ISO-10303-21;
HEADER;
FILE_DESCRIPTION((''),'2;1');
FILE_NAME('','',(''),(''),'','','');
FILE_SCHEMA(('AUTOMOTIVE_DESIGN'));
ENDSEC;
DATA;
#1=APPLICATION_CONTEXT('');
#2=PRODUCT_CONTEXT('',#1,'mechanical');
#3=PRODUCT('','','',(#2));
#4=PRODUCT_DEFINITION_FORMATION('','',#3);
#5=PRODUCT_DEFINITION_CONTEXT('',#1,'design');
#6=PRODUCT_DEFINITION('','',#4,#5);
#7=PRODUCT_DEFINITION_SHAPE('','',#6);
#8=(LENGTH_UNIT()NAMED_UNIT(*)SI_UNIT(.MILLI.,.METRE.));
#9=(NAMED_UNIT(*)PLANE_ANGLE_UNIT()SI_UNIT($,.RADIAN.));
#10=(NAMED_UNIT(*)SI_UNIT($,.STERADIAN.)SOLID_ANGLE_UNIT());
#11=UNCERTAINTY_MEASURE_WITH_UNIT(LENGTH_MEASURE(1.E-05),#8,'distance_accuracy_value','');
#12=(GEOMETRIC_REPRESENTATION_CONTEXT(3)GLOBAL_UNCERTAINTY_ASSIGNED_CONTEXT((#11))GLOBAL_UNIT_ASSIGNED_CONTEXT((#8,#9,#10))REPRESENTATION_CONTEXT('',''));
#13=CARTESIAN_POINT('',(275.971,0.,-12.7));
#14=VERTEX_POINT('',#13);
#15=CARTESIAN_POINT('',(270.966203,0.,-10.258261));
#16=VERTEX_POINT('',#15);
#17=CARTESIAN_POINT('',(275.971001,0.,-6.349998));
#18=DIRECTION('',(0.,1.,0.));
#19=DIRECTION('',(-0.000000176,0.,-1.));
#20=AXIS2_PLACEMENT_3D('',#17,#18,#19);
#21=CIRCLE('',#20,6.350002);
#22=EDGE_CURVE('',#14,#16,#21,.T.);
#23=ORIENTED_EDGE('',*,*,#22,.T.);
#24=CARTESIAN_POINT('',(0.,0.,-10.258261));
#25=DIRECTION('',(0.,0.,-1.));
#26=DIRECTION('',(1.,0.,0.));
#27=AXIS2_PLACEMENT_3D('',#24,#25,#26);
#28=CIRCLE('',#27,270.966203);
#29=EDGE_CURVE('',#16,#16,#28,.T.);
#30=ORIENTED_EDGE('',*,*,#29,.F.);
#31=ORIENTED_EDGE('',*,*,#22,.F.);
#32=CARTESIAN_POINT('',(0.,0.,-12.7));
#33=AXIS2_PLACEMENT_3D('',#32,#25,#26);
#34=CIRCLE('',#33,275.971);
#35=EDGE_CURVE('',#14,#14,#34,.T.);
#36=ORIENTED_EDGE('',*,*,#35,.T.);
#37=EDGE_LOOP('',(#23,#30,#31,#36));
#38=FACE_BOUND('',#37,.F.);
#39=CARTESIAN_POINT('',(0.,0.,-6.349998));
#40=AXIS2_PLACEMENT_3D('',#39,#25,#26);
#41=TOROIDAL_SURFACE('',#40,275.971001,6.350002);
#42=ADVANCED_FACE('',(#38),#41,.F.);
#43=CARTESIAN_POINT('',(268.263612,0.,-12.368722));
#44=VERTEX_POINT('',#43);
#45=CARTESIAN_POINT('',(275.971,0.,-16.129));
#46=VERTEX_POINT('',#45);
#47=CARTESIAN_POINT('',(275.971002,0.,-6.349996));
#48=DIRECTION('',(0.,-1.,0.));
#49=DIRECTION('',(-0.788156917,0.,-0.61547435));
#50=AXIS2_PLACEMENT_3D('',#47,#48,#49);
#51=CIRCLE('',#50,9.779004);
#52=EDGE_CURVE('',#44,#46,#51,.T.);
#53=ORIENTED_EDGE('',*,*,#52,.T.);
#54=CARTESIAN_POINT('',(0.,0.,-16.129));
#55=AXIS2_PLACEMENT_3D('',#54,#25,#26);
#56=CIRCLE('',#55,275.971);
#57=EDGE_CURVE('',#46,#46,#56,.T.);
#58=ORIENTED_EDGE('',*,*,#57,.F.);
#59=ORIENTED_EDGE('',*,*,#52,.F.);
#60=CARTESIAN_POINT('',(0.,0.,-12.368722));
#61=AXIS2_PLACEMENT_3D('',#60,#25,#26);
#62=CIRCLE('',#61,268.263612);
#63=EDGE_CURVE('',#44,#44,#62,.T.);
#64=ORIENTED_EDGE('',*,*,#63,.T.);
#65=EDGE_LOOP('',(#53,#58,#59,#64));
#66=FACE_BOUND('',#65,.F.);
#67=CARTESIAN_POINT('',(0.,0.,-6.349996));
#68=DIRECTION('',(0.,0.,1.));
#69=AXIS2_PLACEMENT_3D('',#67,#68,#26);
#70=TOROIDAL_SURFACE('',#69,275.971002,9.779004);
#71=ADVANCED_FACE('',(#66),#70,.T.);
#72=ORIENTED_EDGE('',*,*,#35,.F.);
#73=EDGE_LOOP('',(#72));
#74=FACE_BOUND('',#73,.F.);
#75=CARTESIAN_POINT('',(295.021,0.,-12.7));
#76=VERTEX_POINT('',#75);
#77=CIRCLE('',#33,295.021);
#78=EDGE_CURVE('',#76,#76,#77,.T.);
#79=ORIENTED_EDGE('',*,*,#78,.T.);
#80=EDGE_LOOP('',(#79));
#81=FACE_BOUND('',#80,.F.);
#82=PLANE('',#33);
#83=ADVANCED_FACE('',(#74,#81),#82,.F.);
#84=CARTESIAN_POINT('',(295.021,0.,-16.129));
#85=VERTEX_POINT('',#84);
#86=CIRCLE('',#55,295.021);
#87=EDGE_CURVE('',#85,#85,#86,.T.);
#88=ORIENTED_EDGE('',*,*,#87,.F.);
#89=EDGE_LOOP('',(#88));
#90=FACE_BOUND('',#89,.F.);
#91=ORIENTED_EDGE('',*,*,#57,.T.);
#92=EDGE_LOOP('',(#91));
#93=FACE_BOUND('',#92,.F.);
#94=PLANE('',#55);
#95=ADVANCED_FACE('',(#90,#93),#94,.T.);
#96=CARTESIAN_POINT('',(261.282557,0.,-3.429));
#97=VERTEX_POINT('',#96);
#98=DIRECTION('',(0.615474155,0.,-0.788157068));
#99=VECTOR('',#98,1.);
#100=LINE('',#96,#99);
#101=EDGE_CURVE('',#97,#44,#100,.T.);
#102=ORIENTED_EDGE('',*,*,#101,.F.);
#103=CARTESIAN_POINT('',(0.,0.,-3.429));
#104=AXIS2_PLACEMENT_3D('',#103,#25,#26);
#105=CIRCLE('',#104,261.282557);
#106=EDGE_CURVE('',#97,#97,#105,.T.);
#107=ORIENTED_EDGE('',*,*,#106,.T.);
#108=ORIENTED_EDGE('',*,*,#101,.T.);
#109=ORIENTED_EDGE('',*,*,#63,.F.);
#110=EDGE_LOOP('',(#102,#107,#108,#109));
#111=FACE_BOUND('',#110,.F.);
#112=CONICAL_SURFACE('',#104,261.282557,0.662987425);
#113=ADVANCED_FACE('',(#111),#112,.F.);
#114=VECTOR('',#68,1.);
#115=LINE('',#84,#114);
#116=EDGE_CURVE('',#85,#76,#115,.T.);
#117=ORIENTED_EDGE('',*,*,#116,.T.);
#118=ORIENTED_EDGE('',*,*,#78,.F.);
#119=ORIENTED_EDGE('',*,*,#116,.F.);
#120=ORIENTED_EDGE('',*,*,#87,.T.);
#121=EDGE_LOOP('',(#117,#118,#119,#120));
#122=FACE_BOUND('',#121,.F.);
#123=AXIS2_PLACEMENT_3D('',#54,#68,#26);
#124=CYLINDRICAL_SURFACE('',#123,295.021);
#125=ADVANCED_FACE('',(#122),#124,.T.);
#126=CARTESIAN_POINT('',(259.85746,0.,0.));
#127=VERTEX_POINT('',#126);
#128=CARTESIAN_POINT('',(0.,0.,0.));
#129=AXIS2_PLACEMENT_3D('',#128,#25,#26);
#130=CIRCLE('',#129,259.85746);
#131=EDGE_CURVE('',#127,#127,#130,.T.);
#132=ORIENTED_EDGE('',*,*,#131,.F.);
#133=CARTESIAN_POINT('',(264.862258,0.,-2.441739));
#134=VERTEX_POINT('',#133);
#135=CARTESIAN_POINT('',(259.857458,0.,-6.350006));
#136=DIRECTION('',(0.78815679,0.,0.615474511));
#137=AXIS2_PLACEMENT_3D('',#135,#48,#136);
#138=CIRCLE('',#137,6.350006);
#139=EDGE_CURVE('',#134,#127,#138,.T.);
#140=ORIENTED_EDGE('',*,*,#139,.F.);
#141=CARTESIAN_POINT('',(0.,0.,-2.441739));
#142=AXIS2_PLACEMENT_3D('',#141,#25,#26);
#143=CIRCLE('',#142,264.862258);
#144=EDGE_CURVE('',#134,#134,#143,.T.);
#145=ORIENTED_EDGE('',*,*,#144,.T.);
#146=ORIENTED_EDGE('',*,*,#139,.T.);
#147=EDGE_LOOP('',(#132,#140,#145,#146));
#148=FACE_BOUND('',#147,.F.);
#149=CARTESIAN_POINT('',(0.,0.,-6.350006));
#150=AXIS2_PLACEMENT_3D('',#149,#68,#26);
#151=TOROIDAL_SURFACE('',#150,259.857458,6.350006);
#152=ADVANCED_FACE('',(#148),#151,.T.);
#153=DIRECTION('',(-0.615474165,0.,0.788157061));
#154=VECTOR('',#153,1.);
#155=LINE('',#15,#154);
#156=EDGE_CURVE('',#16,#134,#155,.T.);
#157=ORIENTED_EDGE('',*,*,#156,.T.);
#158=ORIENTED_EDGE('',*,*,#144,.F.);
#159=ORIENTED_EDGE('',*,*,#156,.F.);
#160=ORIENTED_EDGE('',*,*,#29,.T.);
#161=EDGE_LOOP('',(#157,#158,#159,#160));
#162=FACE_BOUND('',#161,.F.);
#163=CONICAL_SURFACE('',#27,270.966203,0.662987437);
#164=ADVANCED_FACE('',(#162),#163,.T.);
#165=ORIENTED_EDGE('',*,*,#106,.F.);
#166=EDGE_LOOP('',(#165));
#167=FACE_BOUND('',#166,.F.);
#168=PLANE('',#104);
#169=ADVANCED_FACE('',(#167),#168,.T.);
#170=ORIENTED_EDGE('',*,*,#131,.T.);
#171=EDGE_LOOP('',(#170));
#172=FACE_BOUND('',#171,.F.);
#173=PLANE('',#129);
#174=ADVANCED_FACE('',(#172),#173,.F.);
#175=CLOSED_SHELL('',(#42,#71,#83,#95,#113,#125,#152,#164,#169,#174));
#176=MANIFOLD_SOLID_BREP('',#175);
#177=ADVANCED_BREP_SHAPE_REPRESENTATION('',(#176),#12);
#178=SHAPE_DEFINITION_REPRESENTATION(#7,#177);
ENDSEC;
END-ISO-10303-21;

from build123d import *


with BuildPart() as f1:
    # F0 (on Front) → F1 (revolve)
    with BuildSketch(Plane.XZ):
        with BuildLine():
            Line((259.85746, 0), (0, 0))
            Line((0, 0), (0, -3.429))
            Line((0, -3.429), (261.282557, -3.429))
            Line((261.282557, -3.429), (268.263612, -12.368722))
            ThreePointArc((268.263612, -12.368722), (271.683124, -15.138797), (275.971, -16.129))
            Line((275.971, -16.129), (295.021, -16.129))
            Line((295.021, -16.129), (295.021, -12.7))
            Line((295.021, -12.7), (275.971, -12.7))
            ThreePointArc((275.971, -12.7), (273.186665, -12.057011), (270.966203, -10.258261))
            Line((270.966203, -10.258261), (264.862258, -2.441739))
            ThreePointArc((264.862258, -2.441739), (262.641795, -0.642989), (259.85746, 0))
        make_face()
    revolve(axis=Axis((0, 0, -1.7145), (0, 0, -1)))


solid = f1.part
